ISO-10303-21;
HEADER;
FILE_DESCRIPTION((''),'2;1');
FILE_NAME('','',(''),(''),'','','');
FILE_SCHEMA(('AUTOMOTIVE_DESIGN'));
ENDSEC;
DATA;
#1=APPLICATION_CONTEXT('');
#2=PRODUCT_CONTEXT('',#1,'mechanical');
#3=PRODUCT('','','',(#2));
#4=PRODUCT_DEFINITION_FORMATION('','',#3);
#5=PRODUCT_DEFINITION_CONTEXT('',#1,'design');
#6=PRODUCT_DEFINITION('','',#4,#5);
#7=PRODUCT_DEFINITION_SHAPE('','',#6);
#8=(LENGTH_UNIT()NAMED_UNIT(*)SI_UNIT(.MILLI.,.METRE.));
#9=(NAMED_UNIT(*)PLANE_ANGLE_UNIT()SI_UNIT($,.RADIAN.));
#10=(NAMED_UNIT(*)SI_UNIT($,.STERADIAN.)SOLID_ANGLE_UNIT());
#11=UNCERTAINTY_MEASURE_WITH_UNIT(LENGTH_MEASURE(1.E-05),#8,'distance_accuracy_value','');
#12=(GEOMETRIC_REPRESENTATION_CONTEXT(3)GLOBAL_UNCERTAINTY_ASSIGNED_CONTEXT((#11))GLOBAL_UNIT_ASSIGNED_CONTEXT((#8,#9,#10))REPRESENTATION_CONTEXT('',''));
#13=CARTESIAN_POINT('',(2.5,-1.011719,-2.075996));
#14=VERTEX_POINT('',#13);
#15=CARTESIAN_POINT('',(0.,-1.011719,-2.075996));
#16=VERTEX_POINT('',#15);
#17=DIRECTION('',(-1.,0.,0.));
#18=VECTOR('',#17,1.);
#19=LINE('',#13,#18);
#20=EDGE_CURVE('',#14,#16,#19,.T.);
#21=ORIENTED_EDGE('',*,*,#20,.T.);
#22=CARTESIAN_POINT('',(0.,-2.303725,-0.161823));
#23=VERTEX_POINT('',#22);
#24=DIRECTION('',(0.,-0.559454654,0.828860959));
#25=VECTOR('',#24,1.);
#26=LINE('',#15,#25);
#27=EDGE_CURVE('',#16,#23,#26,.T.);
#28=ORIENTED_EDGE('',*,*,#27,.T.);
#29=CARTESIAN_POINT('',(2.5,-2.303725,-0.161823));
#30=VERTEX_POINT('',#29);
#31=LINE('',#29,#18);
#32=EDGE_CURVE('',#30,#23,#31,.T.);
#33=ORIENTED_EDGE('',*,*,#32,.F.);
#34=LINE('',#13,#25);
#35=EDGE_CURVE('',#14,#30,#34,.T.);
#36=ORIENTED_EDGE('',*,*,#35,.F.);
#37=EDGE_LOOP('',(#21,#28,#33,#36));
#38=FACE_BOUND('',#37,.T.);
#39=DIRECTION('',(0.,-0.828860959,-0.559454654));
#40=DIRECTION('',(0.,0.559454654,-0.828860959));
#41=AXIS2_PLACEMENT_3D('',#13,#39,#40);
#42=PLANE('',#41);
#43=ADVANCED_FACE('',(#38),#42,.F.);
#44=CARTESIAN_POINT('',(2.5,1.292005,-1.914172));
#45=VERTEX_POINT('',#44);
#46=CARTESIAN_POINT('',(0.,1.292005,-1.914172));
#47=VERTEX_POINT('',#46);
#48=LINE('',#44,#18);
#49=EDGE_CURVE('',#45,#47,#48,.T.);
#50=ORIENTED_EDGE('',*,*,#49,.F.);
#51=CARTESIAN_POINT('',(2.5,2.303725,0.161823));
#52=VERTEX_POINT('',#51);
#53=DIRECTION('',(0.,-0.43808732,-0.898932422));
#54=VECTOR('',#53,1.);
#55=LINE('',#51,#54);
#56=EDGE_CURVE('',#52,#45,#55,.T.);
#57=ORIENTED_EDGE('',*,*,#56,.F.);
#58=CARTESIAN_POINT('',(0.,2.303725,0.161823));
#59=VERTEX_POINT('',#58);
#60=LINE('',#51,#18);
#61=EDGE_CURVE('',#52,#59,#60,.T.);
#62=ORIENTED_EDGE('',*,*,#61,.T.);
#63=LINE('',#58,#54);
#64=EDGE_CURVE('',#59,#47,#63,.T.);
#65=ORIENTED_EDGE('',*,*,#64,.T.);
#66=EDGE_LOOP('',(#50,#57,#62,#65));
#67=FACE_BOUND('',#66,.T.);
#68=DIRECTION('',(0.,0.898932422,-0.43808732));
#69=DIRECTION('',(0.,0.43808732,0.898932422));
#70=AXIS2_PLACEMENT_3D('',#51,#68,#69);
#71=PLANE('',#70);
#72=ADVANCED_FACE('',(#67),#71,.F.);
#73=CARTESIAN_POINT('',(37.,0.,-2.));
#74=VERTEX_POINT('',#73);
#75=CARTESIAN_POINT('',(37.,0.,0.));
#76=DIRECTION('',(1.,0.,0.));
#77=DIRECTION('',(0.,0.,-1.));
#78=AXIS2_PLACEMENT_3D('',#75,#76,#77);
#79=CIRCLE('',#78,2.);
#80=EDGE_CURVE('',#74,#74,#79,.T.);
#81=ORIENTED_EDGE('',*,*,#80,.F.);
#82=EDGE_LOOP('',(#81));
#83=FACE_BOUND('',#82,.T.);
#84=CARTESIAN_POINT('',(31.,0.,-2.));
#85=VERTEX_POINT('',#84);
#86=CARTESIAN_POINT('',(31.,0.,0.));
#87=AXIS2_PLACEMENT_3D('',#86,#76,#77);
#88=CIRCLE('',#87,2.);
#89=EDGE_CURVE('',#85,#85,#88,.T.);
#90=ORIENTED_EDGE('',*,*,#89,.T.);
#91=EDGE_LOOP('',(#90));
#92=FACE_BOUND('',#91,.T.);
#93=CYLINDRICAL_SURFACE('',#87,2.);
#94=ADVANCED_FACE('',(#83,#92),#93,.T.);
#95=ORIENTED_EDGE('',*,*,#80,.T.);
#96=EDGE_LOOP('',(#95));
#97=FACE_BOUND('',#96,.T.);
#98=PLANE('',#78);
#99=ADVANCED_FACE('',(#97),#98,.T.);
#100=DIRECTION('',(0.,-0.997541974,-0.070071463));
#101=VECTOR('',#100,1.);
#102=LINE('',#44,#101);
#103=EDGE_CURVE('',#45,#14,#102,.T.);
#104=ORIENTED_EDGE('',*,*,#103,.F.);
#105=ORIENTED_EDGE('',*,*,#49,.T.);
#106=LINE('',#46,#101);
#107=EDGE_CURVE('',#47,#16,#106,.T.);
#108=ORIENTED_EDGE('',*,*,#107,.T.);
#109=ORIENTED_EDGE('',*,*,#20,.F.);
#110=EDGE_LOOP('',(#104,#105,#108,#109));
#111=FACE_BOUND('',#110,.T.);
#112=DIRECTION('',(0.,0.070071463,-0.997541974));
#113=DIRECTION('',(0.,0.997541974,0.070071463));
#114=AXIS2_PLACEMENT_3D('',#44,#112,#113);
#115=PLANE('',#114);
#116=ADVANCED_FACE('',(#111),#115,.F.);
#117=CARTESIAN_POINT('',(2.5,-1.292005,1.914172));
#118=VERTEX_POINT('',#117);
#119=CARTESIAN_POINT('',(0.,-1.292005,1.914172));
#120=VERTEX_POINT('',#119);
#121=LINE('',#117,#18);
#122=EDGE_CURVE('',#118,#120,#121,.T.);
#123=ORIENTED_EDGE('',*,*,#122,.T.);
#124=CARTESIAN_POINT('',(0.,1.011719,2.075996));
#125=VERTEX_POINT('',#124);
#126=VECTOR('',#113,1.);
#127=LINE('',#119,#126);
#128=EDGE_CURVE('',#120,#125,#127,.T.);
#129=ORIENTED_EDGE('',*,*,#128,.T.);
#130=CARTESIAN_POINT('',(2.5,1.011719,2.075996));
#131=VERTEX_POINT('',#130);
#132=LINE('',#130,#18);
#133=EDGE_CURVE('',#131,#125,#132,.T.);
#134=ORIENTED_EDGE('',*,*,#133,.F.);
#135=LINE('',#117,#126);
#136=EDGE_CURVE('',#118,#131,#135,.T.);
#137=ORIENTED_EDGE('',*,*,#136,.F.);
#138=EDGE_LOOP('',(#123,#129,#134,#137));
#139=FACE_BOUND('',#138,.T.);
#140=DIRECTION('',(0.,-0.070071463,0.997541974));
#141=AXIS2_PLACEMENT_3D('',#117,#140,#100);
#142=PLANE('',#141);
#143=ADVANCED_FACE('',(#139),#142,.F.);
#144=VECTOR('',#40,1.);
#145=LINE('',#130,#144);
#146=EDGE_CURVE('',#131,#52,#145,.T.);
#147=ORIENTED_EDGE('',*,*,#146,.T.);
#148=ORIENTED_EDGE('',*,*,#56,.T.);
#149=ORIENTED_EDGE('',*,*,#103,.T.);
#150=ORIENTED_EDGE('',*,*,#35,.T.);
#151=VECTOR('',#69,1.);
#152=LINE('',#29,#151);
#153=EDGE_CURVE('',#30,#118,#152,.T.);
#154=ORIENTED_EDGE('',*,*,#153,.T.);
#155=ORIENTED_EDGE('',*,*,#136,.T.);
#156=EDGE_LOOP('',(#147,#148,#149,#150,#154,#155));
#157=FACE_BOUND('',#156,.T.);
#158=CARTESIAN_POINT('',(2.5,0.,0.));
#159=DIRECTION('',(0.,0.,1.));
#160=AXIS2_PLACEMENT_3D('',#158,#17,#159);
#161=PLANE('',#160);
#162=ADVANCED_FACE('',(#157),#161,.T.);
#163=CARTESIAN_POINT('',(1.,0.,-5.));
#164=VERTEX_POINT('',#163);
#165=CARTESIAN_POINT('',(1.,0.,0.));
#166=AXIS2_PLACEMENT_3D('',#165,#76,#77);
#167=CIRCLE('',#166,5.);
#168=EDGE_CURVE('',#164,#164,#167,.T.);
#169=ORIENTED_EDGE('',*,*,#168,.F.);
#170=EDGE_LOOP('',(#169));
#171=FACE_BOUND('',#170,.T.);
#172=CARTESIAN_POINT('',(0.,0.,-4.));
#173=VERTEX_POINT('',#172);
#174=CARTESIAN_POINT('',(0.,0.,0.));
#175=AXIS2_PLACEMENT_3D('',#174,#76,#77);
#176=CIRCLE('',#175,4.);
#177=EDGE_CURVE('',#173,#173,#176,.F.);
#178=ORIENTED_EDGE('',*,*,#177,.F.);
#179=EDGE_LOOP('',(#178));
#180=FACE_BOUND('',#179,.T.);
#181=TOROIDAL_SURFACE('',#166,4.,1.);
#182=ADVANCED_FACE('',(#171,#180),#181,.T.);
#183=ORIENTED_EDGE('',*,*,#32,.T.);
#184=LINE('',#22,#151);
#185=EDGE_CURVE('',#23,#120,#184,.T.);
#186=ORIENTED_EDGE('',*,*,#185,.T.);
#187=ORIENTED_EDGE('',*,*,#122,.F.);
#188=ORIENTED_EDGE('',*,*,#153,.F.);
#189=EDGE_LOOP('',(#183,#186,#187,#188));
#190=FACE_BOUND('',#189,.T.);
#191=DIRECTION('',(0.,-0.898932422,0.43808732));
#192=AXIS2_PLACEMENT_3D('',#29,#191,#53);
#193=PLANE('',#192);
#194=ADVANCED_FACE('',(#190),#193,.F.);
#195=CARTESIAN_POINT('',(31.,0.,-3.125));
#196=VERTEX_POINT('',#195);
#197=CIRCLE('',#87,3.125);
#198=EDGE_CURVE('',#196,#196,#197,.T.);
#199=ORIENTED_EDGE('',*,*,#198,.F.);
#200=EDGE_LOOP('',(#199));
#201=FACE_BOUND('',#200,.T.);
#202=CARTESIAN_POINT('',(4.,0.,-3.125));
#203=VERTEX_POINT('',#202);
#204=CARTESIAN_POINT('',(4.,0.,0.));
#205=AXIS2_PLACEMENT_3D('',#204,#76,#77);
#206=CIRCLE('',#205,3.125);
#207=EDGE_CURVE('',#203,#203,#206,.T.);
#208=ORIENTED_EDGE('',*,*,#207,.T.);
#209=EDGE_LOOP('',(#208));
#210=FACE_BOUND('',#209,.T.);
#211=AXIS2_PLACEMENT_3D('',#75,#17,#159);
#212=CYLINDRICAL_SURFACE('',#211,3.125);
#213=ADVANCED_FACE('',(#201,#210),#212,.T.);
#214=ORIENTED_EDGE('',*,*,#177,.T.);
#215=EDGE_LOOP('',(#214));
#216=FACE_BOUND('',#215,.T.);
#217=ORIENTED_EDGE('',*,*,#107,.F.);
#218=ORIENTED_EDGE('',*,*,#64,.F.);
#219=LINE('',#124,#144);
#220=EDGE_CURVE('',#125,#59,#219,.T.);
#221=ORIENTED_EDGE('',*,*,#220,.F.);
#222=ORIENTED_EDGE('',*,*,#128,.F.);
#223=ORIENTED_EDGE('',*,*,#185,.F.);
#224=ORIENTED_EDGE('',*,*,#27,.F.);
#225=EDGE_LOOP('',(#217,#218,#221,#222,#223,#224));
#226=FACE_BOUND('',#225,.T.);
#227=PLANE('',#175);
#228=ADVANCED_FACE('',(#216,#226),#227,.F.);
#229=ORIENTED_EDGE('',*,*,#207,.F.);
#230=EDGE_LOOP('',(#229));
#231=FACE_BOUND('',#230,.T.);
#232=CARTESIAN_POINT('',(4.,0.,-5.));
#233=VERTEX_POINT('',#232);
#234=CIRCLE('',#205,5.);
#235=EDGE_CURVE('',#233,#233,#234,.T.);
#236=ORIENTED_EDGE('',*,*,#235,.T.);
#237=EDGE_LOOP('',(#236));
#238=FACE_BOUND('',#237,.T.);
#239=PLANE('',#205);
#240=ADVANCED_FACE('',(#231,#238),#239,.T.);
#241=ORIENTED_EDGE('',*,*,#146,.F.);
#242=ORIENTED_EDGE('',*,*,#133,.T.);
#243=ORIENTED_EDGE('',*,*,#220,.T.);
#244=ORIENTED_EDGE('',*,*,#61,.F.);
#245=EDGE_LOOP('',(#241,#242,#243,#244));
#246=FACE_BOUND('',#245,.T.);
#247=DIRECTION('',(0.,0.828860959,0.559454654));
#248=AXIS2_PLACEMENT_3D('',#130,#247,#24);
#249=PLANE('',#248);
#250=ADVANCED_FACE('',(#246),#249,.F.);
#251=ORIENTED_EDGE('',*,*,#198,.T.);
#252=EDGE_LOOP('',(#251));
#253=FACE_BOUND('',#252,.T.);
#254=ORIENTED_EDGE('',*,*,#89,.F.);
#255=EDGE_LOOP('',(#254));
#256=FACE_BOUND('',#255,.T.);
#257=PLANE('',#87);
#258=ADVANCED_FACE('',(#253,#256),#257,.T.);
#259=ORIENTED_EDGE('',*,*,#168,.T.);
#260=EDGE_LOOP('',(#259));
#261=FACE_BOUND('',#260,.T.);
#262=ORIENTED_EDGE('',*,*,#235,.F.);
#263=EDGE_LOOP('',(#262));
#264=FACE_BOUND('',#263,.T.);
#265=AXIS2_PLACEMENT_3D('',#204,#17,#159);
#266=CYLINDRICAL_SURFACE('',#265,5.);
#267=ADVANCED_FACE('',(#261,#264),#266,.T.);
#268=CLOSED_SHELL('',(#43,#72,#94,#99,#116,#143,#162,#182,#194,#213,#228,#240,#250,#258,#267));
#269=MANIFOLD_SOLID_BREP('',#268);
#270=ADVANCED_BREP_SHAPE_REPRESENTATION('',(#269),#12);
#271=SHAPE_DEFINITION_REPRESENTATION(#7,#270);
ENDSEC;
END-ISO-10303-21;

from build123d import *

# Parameters (mm, degrees)
SKETCH2_R           = 5
BOSS_EXTRUDE1_DEPTH = 4
FILLET1_R           = 1
CUT_EXTRUDE2_DEPTH  = 2.5
SKETCH4_R           = 3.125
BOSS_EXTRUDE3_DEPTH = 33
SKETCH5_R           = 3.125
SKETCH5_R_2         = 2
CUT_EXTRUDE4_DEPTH  = 6


with BuildPart() as part:
    # Sketch2 → Boss-Extrude1 (new body)
    with BuildSketch(Plane(origin=(0, 0, 0), x_dir=(0, 0, -1), z_dir=(1, 0, 0))):
        Circle(SKETCH2_R)
    extrude(amount=BOSS_EXTRUDE1_DEPTH)

    # Fillet1
    fillet1_edges = [part.edges().sort_by_distance(p)[0] for p in [
        (0, 0, 5),
    ]]
    fillet(fillet1_edges, radius=FILLET1_R)

    # Sketch3 → Cut-Extrude2 (cut)
    with BuildSketch(Plane.ZY):
        Polygon((2.075995504, 1.011719328), (0.161823113, 2.303724509), (-1.914172392, 1.292005181), (-2.075995504, -1.011719328), (-0.161823113, -2.303724509), (1.914172392, -1.292005181), align=None)
    extrude(amount=-CUT_EXTRUDE2_DEPTH, mode=Mode.SUBTRACT)

    # Sketch4 → Boss-Extrude3 (add)
    with BuildSketch(Plane(origin=(4, 0, 0), x_dir=(0, 0, -1), z_dir=(1, 0, 0))):
        Circle(SKETCH4_R)
    extrude(amount=BOSS_EXTRUDE3_DEPTH)

    # Sketch5 → Cut-Extrude4 (cut)
    with BuildSketch(Plane(origin=(37, 0, 0), x_dir=(0, 0, -1), z_dir=(1, 0, 0))):
        Circle(SKETCH5_R)
        Circle(SKETCH5_R_2, mode=Mode.SUBTRACT)
    extrude(amount=-CUT_EXTRUDE4_DEPTH, mode=Mode.SUBTRACT)


solid = part.part
